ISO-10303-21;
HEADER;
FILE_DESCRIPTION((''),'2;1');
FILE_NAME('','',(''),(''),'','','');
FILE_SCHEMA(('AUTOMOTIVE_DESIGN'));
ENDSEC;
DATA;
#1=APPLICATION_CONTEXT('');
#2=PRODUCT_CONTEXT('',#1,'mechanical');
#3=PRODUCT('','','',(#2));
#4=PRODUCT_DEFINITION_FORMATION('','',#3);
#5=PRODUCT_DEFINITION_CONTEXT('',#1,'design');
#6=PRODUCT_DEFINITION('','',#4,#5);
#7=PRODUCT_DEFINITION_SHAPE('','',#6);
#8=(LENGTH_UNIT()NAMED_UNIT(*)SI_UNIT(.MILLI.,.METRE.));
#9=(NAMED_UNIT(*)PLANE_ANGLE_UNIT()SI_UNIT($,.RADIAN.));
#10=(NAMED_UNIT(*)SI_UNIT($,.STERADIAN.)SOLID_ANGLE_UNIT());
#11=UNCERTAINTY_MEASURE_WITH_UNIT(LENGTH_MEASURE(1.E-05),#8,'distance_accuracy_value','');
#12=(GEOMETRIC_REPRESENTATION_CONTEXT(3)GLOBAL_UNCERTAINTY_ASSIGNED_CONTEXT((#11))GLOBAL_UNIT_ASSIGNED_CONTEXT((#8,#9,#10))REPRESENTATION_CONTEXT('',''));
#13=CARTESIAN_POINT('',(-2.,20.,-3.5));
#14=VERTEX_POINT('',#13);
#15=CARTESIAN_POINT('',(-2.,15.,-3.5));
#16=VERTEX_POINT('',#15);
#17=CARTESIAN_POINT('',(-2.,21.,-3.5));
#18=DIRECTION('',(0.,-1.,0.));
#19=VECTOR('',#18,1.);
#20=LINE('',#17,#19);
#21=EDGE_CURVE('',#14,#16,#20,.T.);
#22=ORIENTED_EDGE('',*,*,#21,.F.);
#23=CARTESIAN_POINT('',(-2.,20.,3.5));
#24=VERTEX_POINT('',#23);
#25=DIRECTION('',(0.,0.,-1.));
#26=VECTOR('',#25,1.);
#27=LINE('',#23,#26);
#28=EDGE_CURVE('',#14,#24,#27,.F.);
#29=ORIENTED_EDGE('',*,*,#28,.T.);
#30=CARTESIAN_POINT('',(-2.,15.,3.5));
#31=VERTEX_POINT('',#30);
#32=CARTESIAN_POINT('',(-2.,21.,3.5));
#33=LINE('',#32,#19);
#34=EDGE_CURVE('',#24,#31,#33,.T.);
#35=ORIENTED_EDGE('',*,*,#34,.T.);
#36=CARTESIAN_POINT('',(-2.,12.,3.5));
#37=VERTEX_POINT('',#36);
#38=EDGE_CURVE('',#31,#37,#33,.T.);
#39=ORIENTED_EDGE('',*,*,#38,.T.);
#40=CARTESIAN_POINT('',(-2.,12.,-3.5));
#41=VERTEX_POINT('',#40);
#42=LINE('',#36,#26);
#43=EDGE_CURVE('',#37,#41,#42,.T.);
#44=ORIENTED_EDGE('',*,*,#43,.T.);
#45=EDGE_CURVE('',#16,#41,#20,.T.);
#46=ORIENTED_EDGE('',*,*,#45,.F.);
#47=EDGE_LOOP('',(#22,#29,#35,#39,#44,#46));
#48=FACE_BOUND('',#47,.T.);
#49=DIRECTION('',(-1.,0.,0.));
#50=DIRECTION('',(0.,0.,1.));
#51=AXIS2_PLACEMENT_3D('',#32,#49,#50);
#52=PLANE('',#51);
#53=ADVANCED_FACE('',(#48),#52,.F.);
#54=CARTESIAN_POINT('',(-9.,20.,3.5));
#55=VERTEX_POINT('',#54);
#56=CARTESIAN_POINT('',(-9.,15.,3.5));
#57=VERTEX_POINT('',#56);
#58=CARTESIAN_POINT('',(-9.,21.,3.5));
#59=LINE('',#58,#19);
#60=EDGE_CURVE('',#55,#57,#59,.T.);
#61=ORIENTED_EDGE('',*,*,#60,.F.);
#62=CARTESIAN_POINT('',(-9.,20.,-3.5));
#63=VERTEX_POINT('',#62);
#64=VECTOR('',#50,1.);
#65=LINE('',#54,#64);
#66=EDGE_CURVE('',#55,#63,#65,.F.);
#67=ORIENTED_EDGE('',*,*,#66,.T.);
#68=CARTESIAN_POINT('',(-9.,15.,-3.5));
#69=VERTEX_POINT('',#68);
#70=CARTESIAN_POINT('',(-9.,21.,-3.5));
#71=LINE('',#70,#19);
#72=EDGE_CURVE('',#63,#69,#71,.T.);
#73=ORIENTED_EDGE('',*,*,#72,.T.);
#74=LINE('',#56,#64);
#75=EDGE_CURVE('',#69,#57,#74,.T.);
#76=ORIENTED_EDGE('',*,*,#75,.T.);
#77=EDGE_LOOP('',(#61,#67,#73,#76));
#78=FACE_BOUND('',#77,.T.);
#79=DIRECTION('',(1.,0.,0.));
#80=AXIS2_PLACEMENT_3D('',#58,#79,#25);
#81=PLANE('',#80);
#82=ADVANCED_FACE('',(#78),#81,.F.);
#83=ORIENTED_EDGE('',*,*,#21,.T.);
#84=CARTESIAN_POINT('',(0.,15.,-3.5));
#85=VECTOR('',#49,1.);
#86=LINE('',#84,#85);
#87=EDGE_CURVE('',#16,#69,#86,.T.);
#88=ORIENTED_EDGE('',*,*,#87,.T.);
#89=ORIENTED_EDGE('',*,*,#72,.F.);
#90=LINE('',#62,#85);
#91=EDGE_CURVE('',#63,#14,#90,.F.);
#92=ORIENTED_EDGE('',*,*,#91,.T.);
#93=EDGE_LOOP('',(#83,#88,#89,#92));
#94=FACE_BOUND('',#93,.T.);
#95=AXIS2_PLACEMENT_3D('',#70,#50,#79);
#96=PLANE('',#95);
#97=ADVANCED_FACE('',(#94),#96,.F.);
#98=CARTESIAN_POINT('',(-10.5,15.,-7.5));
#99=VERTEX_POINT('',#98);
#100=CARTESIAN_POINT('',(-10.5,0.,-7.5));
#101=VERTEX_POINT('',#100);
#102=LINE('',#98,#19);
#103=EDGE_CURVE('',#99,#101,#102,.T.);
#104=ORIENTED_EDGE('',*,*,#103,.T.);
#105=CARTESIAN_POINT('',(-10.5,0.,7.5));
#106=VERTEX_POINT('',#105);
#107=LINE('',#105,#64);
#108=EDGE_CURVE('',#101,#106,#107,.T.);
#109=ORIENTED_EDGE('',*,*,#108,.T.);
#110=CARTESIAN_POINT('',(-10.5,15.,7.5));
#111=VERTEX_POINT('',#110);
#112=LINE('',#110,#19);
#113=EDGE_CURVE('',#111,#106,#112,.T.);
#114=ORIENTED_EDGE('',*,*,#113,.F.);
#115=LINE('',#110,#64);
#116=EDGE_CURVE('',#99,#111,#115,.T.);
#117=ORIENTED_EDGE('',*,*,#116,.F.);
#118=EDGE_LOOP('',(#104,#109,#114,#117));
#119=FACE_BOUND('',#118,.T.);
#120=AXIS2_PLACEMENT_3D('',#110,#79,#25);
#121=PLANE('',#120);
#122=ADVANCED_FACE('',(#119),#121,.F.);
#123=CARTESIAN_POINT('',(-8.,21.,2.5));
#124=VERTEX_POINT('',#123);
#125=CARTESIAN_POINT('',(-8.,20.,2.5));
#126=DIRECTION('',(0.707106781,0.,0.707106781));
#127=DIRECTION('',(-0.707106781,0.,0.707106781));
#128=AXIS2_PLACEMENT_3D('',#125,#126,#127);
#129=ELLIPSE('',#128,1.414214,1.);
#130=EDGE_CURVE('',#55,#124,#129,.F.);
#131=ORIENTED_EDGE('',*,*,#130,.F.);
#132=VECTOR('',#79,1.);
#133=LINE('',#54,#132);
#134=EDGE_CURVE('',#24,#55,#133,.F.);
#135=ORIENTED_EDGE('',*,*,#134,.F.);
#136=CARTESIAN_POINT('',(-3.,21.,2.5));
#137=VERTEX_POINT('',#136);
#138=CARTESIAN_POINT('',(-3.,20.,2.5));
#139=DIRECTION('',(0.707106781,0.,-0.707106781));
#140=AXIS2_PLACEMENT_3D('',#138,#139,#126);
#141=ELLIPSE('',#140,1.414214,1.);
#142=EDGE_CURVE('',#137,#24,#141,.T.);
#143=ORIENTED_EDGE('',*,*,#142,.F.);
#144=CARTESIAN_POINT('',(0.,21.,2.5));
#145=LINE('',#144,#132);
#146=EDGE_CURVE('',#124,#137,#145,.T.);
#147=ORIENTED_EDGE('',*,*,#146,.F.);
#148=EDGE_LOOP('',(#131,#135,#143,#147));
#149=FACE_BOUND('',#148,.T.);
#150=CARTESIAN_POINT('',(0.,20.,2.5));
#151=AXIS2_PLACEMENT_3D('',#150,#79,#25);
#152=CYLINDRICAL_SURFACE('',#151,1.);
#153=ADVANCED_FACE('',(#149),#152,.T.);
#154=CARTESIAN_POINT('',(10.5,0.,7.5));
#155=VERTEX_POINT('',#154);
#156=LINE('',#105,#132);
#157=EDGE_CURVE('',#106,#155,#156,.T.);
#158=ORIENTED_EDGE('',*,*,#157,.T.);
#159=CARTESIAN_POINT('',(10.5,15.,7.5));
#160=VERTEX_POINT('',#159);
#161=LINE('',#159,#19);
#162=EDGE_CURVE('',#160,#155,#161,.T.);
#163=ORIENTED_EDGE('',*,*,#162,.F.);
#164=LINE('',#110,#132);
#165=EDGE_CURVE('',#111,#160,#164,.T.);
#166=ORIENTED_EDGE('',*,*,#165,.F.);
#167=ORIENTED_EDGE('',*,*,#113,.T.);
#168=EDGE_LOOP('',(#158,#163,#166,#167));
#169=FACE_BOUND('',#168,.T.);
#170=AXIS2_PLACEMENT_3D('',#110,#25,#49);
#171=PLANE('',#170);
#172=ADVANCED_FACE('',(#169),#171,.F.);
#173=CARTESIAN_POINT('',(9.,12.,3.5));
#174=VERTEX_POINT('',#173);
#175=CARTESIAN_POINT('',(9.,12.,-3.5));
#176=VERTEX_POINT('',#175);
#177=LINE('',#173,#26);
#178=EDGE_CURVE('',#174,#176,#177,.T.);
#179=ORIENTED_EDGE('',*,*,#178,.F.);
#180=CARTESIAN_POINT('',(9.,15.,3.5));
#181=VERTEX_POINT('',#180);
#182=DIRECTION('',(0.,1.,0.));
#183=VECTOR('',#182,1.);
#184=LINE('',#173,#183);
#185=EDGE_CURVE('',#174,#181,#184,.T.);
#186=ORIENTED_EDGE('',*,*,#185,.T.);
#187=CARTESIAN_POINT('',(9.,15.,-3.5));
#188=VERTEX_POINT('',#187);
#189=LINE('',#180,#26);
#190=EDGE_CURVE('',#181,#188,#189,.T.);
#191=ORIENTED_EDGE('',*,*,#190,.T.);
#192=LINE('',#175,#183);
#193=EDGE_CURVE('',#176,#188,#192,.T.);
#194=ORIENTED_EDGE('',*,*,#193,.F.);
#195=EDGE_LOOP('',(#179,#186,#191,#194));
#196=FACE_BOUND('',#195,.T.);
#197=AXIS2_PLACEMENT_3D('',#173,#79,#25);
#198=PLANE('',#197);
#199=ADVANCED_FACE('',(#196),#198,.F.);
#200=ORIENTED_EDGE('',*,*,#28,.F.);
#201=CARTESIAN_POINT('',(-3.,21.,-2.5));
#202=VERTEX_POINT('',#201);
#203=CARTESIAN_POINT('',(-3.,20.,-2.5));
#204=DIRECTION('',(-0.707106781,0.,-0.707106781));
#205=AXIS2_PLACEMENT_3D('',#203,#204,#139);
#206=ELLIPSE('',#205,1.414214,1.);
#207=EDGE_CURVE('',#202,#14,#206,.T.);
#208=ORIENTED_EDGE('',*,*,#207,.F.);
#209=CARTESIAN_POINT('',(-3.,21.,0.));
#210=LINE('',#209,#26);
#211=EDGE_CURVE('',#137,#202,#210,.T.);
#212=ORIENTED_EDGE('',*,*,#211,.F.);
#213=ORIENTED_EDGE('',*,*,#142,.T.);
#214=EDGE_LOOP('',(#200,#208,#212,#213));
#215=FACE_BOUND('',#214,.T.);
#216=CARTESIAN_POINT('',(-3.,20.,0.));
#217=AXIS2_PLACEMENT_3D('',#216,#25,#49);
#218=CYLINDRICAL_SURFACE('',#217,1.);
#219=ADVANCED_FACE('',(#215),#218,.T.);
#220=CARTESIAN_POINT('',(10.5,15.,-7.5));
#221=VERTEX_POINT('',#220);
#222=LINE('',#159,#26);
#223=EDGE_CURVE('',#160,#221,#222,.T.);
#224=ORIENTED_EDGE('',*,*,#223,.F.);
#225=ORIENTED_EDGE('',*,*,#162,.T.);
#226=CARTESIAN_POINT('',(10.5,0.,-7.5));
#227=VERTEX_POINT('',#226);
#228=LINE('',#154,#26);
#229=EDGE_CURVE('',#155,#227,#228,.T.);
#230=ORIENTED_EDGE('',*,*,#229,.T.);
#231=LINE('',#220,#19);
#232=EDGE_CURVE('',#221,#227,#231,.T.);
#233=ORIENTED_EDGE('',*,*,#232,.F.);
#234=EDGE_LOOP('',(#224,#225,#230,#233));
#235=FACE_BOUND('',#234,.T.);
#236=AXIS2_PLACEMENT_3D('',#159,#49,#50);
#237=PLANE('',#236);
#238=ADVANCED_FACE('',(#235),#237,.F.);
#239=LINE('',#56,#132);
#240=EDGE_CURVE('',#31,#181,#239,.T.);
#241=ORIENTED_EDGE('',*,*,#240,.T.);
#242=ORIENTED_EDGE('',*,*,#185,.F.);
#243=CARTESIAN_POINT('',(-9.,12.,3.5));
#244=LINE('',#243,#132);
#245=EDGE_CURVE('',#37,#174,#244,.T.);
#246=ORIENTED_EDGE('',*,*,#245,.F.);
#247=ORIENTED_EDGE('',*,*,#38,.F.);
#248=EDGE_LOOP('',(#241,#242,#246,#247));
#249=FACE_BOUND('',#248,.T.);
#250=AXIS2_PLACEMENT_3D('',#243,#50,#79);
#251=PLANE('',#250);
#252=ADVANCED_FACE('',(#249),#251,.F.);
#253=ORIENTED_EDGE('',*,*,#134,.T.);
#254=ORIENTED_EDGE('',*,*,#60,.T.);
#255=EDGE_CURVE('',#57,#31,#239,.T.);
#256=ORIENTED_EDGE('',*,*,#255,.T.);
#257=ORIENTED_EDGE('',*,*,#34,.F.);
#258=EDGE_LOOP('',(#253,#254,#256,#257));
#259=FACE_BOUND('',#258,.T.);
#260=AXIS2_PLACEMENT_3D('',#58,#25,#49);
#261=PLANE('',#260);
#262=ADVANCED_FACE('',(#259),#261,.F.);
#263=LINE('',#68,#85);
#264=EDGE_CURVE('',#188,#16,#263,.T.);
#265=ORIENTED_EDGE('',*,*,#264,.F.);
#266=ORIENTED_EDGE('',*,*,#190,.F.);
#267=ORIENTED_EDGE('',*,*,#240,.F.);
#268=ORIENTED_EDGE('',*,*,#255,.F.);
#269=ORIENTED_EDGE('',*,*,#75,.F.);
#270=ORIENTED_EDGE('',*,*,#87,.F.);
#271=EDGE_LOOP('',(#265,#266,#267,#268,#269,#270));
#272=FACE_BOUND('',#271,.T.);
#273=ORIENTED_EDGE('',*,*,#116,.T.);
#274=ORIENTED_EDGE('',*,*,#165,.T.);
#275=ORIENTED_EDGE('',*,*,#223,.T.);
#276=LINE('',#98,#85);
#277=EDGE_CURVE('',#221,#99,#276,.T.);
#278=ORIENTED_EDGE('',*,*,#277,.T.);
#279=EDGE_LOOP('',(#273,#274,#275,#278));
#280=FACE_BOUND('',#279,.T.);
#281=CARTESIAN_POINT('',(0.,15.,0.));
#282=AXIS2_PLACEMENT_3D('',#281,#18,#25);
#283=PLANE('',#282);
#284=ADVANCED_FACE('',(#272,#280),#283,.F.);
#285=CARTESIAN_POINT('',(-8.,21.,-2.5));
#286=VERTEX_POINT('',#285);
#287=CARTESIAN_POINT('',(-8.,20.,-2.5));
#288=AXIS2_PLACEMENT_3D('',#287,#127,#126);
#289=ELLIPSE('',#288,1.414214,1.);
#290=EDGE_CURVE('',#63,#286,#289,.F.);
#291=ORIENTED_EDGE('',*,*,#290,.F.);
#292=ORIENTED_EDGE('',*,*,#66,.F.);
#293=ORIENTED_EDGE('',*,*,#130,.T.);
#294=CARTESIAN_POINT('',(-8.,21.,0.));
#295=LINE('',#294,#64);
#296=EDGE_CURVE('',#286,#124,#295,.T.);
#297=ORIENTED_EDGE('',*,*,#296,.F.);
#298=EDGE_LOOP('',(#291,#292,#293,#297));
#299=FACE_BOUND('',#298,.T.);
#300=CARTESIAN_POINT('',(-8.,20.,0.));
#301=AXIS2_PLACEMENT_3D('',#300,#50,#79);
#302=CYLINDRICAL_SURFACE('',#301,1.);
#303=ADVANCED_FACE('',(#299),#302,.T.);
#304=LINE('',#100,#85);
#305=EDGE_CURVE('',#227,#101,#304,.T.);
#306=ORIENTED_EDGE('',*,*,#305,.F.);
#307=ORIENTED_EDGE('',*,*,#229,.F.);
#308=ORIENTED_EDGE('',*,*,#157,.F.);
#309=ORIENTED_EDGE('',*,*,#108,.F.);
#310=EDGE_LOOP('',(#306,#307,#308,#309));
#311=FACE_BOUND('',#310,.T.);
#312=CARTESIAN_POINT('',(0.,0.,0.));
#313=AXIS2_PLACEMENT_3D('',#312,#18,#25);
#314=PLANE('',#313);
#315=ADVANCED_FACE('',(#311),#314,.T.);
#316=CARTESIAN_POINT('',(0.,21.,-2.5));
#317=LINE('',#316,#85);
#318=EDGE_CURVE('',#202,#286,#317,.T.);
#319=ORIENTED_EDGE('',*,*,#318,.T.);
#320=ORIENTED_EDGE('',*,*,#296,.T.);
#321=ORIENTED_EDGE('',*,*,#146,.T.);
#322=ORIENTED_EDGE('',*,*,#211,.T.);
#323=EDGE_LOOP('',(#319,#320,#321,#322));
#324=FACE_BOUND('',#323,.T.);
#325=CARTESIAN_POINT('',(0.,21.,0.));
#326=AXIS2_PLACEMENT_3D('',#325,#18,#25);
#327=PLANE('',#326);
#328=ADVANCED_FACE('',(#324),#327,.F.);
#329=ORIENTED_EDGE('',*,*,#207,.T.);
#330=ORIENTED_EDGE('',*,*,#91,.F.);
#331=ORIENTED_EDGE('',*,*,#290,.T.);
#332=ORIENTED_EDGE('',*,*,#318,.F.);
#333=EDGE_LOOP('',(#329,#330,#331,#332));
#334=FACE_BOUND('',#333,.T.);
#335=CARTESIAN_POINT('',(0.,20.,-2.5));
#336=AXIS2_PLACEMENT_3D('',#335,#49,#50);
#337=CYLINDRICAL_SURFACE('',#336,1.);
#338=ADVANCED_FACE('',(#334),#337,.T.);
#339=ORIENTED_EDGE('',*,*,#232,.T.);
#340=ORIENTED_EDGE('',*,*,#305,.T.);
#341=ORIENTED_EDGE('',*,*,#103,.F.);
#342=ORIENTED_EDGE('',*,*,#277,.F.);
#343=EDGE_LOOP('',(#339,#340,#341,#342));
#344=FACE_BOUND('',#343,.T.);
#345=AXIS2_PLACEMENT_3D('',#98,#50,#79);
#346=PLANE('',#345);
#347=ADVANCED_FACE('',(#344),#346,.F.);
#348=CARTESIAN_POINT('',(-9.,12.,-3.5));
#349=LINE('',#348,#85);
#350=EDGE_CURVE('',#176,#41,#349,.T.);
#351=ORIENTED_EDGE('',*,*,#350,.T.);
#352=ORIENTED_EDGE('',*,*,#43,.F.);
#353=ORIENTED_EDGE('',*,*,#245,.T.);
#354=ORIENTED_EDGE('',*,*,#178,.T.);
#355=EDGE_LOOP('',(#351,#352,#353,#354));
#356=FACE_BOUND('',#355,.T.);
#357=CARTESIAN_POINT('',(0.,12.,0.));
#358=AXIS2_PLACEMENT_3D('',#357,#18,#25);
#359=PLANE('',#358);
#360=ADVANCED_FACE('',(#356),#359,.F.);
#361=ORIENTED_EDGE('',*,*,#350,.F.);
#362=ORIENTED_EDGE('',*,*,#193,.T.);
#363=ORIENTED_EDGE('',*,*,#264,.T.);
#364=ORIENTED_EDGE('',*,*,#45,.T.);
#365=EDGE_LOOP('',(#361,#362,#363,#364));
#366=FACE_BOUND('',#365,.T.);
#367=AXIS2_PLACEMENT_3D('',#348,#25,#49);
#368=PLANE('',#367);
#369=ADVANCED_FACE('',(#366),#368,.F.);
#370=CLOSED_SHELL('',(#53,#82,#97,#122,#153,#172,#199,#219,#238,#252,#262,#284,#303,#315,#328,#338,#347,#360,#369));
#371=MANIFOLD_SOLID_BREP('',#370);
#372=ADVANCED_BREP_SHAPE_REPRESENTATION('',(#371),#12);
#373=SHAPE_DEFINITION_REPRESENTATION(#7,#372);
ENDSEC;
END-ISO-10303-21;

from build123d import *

# Parameters (mm, degrees)
SKETCH1_W           = 21
SKETCH1_H           = 15
BOSS_EXTRUDE1_DEPTH = 15
SKETCH3_W           = 18
SKETCH3_H           = 7
CUT_EXTRUDE1_DEPTH  = 3
SKETCH4_W           = 7
SKETCH4_H           = 7
BOSS_EXTRUDE3_DEPTH = 9
FILLET2_R           = 1


with BuildPart() as part:
    # Sketch1 → Boss-Extrude1 (new body)
    with BuildSketch(Plane(origin=(0, 0, 0), x_dir=(1, 0, 0), z_dir=(0, 1, 0))):
        Rectangle(SKETCH1_W, SKETCH1_H)
    extrude(amount=BOSS_EXTRUDE1_DEPTH)

    # Sketch3 → Cut-Extrude1 (cut)
    with BuildSketch(Plane(origin=(0, 15, 0), x_dir=(1, 0, 0), z_dir=(0, 1, 0))):
        Rectangle(SKETCH3_W, SKETCH3_H)
    extrude(amount=-CUT_EXTRUDE1_DEPTH, mode=Mode.SUBTRACT)

    # Sketch4 → Boss-Extrude3 (add)
    with BuildSketch(Plane(origin=(0, 12, 0), x_dir=(1, 0, 0), z_dir=(0, 1, 0))):
        with Locations((-5.5, 0)):
            Rectangle(SKETCH4_W, SKETCH4_H)
    extrude(amount=BOSS_EXTRUDE3_DEPTH)

    # Fillet2
    fillet2_edges = [part.edges().sort_by_distance(p)[0] for p in [
        (-9, 21, 0),
        (-5.5, 21, 3.5),
        (-2, 21, 0),
        (-5.5, 21, -3.5),
    ]]
    fillet(fillet2_edges, radius=FILLET2_R)


solid = part.part
